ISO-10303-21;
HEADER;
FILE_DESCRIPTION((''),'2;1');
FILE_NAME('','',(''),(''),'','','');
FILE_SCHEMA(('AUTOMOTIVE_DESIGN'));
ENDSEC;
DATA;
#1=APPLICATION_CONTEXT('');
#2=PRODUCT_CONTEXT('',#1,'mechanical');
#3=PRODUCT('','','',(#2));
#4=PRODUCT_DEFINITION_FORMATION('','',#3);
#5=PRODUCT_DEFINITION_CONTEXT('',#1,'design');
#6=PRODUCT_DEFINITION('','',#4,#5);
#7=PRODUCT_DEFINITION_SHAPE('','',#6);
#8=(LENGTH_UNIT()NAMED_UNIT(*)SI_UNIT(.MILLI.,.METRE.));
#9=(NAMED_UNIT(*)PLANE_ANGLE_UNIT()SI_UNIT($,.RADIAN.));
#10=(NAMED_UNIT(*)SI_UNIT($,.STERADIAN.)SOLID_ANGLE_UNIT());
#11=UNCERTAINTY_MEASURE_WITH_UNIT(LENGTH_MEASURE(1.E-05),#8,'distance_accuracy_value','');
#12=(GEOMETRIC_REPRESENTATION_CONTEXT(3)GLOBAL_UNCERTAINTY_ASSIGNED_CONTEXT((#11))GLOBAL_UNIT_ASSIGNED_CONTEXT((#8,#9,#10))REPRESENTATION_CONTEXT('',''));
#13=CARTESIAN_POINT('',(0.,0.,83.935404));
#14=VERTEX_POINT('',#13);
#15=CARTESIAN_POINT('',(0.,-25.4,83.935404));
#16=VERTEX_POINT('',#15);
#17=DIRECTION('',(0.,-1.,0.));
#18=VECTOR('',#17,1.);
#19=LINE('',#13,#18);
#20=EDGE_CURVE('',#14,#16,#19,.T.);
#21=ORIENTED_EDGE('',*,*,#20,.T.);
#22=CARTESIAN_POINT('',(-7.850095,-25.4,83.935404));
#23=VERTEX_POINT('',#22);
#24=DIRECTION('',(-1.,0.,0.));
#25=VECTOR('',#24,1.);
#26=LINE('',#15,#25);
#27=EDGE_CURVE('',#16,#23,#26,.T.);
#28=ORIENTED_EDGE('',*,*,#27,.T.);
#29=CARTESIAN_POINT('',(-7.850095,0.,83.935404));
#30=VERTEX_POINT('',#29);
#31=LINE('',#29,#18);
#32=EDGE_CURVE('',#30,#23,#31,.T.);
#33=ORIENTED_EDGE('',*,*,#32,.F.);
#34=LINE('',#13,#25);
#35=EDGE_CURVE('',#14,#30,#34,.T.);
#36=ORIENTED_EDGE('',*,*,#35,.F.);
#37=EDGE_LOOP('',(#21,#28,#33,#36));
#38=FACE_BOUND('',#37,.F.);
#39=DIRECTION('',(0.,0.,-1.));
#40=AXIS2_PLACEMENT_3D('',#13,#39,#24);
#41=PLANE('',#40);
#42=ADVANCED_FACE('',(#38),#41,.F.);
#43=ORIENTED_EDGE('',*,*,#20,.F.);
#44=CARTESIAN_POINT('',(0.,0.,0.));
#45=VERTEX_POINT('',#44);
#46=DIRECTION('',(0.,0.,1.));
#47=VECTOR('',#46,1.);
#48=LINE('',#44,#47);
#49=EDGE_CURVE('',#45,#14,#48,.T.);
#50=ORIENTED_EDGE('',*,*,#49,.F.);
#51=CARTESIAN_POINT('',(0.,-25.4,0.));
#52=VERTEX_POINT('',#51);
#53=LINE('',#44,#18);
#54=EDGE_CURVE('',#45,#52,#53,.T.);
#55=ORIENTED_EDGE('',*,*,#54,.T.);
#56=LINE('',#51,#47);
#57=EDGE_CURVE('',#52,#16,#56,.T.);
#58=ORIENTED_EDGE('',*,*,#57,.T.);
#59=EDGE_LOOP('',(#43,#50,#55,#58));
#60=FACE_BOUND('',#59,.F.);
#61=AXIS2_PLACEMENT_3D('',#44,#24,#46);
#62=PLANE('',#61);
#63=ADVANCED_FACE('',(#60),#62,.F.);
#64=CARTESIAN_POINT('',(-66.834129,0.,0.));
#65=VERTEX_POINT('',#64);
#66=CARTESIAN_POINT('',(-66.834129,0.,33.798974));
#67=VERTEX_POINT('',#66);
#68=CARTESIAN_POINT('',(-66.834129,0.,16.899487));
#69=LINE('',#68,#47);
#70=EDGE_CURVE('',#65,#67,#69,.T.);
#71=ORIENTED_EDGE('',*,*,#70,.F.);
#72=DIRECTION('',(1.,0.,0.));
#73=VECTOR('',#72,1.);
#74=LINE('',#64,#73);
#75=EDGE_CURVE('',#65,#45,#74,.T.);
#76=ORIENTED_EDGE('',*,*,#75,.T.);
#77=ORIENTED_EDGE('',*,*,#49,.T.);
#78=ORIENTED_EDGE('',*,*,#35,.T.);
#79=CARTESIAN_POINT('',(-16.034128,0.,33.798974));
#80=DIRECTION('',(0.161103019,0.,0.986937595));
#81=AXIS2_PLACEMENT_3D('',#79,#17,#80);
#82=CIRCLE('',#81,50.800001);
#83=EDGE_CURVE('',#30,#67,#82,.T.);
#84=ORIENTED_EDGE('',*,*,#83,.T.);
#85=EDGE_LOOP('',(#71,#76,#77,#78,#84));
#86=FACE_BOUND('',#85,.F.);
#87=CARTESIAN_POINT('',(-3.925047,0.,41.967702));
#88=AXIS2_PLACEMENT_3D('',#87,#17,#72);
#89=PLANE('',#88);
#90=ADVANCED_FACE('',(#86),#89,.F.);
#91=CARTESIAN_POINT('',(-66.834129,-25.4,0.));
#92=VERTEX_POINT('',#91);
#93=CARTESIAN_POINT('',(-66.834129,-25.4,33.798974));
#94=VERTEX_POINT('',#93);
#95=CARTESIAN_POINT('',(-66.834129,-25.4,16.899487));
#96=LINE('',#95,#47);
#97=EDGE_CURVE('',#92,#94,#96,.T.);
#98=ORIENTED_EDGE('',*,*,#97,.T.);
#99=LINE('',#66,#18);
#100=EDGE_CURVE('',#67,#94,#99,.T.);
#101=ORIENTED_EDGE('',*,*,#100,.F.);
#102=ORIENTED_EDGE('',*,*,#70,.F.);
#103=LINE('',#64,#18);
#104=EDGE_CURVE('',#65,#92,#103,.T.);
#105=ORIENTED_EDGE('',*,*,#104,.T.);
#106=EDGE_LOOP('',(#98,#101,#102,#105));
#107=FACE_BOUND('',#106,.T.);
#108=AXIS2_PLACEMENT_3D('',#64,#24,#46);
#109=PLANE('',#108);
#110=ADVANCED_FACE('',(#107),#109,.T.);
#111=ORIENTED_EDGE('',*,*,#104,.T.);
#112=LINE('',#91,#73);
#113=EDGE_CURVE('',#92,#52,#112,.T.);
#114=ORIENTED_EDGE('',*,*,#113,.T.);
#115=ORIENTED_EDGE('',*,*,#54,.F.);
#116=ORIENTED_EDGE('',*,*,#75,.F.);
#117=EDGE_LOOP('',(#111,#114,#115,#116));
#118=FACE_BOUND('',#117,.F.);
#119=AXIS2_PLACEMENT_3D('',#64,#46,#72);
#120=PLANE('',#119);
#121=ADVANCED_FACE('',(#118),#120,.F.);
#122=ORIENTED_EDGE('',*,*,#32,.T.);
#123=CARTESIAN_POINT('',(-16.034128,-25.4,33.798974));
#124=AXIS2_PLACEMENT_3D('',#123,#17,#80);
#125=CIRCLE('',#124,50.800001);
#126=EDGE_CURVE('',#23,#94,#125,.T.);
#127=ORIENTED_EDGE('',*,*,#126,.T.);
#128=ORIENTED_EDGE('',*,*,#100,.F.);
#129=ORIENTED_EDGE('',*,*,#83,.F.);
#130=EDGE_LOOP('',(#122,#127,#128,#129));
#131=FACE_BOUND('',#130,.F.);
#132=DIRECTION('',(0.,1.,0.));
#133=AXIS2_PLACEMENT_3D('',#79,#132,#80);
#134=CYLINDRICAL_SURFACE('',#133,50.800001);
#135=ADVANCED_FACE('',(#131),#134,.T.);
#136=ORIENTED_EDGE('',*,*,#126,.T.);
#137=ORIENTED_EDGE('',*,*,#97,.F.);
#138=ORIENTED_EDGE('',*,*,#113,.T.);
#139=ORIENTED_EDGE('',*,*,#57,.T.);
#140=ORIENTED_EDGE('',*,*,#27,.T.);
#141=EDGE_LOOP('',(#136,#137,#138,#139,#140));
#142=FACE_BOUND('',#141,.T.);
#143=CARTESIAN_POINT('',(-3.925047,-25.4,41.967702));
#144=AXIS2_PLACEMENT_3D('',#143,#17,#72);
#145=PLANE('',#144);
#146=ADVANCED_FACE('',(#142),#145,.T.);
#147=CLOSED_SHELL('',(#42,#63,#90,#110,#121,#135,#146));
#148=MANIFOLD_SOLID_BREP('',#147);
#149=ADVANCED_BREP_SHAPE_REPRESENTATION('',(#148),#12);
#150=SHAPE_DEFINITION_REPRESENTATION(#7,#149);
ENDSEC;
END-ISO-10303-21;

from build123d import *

# Parameters (mm, degrees)
F0_W     = 58.984034
F0_H     = 33.798974
F1_DEPTH = 25.4


with BuildPart() as f1:
    # F0 (on Front) → F1 (new body)
    with BuildSketch(Plane.XZ):
        Polygon((-7.850095, 0), (0, 0), (0, 83.935404), (-7.850095, 83.935404), (-7.850095, 33.798974), align=None)
        with Locations((-37.342112, 16.899487)):
            Rectangle(F0_W, F0_H)
        with BuildLine():
            Line((-66.834129, 33.798974), (-7.850095, 33.798974))
            Line((-7.850095, 33.798974), (-7.850095, 83.935404))
            ThreePointArc((-7.850095, 83.935404), (-48.934669, 72.505491), (-66.834129, 33.798974))
        make_face()
    extrude(amount=F1_DEPTH)


solid = f1.part
